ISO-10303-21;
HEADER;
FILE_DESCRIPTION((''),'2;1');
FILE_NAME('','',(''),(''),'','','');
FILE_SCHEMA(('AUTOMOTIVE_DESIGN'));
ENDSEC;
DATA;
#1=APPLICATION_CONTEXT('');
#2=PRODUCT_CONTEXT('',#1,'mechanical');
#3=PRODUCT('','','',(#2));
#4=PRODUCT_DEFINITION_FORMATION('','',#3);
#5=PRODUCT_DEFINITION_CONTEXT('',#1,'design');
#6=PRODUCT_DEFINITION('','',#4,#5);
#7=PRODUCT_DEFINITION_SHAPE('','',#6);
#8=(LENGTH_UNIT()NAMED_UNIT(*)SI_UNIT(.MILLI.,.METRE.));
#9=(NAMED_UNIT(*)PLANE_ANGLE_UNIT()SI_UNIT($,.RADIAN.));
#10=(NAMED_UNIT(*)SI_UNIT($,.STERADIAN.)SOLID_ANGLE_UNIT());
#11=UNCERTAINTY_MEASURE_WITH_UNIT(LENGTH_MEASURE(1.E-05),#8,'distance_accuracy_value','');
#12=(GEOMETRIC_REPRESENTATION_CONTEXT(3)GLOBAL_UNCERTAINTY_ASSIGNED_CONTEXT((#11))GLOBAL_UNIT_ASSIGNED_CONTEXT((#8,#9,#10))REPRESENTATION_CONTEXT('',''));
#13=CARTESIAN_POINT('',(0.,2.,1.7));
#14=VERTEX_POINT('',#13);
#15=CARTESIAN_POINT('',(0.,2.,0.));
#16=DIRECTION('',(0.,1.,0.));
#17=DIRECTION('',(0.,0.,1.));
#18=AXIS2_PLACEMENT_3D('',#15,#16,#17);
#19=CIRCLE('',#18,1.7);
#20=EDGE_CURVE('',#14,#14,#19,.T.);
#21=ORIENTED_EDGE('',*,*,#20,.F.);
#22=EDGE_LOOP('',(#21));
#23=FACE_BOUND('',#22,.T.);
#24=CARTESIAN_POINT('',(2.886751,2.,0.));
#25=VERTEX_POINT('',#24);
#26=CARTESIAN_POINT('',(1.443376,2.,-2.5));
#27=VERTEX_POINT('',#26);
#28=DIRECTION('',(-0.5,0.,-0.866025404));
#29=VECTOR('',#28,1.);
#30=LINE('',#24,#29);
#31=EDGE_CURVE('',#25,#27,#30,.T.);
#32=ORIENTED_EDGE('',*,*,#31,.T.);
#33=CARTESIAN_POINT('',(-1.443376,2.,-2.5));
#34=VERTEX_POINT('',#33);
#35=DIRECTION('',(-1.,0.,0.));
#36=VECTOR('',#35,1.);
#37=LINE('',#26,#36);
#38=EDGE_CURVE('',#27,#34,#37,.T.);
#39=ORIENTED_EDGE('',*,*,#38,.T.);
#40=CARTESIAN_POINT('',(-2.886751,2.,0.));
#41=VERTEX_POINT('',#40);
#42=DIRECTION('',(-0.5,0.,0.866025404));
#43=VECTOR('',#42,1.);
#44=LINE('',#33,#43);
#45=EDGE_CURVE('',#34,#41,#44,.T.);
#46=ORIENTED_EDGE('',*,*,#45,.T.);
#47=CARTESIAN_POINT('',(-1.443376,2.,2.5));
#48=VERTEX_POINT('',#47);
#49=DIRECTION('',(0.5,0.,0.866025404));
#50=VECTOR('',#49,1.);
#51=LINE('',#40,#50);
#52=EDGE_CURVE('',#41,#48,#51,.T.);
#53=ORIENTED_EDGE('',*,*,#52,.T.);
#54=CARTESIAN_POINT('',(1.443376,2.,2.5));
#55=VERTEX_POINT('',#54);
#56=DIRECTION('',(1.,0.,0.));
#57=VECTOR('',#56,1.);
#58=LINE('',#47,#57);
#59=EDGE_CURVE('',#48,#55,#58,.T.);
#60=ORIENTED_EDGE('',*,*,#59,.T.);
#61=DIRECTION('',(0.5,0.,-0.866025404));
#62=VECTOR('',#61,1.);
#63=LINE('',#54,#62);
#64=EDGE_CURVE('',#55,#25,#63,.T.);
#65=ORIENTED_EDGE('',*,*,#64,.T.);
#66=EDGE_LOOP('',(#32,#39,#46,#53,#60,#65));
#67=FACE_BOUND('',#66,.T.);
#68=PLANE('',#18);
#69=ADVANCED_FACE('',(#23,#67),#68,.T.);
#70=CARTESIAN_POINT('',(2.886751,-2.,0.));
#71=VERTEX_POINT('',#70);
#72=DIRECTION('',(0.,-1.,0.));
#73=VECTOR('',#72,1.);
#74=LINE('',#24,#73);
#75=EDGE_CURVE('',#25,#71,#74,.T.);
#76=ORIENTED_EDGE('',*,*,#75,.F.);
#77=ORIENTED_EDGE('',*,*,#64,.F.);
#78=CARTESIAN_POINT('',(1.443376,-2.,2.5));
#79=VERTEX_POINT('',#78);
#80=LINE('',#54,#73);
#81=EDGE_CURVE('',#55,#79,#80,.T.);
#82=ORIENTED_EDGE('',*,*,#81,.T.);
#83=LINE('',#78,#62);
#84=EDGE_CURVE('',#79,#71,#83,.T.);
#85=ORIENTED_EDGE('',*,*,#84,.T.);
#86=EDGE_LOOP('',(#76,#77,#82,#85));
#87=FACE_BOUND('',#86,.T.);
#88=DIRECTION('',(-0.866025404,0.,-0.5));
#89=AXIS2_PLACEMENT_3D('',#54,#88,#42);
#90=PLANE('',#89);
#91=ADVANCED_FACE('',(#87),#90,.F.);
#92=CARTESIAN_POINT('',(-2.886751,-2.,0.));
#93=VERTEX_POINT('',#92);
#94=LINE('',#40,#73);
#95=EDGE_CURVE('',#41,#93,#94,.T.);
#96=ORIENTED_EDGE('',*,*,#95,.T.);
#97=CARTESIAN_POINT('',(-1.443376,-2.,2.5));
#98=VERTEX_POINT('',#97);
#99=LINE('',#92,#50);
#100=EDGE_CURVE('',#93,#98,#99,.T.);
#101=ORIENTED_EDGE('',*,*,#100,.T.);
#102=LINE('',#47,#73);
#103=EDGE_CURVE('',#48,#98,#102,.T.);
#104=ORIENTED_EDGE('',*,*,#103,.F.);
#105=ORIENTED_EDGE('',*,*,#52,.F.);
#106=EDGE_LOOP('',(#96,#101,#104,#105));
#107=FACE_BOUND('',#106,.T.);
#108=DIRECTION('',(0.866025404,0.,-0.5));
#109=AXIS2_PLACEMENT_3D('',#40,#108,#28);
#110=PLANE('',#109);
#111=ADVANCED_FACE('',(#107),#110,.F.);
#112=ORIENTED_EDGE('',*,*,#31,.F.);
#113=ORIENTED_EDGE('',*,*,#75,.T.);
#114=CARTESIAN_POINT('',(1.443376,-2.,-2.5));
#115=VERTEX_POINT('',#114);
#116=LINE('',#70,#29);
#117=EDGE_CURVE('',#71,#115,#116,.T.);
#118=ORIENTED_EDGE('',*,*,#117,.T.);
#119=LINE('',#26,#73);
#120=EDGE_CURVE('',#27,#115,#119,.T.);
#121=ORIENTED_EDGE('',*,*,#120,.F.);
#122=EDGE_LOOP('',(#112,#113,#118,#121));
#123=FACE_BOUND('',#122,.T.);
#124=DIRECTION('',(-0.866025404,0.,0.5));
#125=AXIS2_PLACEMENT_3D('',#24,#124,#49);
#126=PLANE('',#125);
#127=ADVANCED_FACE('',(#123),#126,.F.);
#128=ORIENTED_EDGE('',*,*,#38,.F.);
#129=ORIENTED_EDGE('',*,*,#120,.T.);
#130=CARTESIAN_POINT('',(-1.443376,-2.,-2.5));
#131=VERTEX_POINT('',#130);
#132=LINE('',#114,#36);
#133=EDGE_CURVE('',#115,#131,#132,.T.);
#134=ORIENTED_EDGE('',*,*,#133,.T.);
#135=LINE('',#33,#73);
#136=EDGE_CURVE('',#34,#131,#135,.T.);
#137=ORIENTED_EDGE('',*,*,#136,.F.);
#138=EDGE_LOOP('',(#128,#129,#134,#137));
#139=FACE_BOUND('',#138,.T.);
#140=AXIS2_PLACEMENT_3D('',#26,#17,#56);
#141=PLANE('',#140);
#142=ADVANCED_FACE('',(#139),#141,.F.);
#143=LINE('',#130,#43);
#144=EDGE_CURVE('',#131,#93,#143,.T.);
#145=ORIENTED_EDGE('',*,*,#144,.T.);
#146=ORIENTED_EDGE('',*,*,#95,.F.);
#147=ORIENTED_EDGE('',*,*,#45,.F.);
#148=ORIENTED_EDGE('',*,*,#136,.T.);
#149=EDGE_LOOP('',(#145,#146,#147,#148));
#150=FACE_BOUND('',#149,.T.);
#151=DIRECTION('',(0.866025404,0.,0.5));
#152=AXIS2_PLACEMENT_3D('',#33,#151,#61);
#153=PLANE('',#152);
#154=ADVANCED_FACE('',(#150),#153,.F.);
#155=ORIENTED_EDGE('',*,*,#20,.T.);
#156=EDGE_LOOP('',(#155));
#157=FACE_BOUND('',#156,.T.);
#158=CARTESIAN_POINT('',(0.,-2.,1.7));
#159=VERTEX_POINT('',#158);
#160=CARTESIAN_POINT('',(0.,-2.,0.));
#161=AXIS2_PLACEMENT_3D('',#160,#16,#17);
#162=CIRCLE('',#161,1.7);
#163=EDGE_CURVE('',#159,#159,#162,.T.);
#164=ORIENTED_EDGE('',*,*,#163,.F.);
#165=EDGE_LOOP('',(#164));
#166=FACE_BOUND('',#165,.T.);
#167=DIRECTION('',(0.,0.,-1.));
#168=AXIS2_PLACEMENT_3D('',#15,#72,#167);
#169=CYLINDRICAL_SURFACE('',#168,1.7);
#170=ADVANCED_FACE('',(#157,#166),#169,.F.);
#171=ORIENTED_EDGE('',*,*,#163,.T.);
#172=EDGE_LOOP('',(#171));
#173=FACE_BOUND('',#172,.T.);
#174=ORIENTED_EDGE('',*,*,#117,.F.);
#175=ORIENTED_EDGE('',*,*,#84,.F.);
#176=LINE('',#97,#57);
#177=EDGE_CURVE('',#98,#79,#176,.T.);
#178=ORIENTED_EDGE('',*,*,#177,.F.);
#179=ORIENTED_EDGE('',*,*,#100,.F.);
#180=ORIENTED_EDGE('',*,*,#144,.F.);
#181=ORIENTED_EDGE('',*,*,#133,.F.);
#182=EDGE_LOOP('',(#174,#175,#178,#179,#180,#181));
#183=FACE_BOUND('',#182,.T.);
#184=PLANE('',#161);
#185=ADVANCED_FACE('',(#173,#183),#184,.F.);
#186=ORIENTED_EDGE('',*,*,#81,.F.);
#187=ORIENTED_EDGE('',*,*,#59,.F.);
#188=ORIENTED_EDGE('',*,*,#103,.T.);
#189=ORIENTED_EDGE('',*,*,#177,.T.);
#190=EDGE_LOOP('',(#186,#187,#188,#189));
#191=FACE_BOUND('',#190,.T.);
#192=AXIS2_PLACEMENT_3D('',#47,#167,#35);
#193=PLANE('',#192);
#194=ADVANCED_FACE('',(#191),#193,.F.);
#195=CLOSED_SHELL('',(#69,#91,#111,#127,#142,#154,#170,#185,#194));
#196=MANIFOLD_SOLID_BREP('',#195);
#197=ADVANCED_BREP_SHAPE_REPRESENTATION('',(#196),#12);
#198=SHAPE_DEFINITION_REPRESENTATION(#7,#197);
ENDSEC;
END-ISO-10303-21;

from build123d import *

# Parameters (mm, degrees)
SKETCH1_R           = 1.7
BOSS_EXTRUDE1_DEPTH = 2


with BuildPart() as part:
    # Sketch1 → Boss-Extrude1 (new body, symmetric)
    with BuildSketch(Plane(origin=(0, 0, 0), x_dir=(1, 0, 0), z_dir=(0, 1, 0))):
        Polygon((-2.886751346, 0), (-1.443375673, -2.5), (1.443375673, -2.5), (2.886751346, 0), (1.443375673, 2.5), (-1.443375673, 2.5), align=None)
        Circle(SKETCH1_R, mode=Mode.SUBTRACT)
    extrude(amount=BOSS_EXTRUDE1_DEPTH, both=True)


solid = part.part
